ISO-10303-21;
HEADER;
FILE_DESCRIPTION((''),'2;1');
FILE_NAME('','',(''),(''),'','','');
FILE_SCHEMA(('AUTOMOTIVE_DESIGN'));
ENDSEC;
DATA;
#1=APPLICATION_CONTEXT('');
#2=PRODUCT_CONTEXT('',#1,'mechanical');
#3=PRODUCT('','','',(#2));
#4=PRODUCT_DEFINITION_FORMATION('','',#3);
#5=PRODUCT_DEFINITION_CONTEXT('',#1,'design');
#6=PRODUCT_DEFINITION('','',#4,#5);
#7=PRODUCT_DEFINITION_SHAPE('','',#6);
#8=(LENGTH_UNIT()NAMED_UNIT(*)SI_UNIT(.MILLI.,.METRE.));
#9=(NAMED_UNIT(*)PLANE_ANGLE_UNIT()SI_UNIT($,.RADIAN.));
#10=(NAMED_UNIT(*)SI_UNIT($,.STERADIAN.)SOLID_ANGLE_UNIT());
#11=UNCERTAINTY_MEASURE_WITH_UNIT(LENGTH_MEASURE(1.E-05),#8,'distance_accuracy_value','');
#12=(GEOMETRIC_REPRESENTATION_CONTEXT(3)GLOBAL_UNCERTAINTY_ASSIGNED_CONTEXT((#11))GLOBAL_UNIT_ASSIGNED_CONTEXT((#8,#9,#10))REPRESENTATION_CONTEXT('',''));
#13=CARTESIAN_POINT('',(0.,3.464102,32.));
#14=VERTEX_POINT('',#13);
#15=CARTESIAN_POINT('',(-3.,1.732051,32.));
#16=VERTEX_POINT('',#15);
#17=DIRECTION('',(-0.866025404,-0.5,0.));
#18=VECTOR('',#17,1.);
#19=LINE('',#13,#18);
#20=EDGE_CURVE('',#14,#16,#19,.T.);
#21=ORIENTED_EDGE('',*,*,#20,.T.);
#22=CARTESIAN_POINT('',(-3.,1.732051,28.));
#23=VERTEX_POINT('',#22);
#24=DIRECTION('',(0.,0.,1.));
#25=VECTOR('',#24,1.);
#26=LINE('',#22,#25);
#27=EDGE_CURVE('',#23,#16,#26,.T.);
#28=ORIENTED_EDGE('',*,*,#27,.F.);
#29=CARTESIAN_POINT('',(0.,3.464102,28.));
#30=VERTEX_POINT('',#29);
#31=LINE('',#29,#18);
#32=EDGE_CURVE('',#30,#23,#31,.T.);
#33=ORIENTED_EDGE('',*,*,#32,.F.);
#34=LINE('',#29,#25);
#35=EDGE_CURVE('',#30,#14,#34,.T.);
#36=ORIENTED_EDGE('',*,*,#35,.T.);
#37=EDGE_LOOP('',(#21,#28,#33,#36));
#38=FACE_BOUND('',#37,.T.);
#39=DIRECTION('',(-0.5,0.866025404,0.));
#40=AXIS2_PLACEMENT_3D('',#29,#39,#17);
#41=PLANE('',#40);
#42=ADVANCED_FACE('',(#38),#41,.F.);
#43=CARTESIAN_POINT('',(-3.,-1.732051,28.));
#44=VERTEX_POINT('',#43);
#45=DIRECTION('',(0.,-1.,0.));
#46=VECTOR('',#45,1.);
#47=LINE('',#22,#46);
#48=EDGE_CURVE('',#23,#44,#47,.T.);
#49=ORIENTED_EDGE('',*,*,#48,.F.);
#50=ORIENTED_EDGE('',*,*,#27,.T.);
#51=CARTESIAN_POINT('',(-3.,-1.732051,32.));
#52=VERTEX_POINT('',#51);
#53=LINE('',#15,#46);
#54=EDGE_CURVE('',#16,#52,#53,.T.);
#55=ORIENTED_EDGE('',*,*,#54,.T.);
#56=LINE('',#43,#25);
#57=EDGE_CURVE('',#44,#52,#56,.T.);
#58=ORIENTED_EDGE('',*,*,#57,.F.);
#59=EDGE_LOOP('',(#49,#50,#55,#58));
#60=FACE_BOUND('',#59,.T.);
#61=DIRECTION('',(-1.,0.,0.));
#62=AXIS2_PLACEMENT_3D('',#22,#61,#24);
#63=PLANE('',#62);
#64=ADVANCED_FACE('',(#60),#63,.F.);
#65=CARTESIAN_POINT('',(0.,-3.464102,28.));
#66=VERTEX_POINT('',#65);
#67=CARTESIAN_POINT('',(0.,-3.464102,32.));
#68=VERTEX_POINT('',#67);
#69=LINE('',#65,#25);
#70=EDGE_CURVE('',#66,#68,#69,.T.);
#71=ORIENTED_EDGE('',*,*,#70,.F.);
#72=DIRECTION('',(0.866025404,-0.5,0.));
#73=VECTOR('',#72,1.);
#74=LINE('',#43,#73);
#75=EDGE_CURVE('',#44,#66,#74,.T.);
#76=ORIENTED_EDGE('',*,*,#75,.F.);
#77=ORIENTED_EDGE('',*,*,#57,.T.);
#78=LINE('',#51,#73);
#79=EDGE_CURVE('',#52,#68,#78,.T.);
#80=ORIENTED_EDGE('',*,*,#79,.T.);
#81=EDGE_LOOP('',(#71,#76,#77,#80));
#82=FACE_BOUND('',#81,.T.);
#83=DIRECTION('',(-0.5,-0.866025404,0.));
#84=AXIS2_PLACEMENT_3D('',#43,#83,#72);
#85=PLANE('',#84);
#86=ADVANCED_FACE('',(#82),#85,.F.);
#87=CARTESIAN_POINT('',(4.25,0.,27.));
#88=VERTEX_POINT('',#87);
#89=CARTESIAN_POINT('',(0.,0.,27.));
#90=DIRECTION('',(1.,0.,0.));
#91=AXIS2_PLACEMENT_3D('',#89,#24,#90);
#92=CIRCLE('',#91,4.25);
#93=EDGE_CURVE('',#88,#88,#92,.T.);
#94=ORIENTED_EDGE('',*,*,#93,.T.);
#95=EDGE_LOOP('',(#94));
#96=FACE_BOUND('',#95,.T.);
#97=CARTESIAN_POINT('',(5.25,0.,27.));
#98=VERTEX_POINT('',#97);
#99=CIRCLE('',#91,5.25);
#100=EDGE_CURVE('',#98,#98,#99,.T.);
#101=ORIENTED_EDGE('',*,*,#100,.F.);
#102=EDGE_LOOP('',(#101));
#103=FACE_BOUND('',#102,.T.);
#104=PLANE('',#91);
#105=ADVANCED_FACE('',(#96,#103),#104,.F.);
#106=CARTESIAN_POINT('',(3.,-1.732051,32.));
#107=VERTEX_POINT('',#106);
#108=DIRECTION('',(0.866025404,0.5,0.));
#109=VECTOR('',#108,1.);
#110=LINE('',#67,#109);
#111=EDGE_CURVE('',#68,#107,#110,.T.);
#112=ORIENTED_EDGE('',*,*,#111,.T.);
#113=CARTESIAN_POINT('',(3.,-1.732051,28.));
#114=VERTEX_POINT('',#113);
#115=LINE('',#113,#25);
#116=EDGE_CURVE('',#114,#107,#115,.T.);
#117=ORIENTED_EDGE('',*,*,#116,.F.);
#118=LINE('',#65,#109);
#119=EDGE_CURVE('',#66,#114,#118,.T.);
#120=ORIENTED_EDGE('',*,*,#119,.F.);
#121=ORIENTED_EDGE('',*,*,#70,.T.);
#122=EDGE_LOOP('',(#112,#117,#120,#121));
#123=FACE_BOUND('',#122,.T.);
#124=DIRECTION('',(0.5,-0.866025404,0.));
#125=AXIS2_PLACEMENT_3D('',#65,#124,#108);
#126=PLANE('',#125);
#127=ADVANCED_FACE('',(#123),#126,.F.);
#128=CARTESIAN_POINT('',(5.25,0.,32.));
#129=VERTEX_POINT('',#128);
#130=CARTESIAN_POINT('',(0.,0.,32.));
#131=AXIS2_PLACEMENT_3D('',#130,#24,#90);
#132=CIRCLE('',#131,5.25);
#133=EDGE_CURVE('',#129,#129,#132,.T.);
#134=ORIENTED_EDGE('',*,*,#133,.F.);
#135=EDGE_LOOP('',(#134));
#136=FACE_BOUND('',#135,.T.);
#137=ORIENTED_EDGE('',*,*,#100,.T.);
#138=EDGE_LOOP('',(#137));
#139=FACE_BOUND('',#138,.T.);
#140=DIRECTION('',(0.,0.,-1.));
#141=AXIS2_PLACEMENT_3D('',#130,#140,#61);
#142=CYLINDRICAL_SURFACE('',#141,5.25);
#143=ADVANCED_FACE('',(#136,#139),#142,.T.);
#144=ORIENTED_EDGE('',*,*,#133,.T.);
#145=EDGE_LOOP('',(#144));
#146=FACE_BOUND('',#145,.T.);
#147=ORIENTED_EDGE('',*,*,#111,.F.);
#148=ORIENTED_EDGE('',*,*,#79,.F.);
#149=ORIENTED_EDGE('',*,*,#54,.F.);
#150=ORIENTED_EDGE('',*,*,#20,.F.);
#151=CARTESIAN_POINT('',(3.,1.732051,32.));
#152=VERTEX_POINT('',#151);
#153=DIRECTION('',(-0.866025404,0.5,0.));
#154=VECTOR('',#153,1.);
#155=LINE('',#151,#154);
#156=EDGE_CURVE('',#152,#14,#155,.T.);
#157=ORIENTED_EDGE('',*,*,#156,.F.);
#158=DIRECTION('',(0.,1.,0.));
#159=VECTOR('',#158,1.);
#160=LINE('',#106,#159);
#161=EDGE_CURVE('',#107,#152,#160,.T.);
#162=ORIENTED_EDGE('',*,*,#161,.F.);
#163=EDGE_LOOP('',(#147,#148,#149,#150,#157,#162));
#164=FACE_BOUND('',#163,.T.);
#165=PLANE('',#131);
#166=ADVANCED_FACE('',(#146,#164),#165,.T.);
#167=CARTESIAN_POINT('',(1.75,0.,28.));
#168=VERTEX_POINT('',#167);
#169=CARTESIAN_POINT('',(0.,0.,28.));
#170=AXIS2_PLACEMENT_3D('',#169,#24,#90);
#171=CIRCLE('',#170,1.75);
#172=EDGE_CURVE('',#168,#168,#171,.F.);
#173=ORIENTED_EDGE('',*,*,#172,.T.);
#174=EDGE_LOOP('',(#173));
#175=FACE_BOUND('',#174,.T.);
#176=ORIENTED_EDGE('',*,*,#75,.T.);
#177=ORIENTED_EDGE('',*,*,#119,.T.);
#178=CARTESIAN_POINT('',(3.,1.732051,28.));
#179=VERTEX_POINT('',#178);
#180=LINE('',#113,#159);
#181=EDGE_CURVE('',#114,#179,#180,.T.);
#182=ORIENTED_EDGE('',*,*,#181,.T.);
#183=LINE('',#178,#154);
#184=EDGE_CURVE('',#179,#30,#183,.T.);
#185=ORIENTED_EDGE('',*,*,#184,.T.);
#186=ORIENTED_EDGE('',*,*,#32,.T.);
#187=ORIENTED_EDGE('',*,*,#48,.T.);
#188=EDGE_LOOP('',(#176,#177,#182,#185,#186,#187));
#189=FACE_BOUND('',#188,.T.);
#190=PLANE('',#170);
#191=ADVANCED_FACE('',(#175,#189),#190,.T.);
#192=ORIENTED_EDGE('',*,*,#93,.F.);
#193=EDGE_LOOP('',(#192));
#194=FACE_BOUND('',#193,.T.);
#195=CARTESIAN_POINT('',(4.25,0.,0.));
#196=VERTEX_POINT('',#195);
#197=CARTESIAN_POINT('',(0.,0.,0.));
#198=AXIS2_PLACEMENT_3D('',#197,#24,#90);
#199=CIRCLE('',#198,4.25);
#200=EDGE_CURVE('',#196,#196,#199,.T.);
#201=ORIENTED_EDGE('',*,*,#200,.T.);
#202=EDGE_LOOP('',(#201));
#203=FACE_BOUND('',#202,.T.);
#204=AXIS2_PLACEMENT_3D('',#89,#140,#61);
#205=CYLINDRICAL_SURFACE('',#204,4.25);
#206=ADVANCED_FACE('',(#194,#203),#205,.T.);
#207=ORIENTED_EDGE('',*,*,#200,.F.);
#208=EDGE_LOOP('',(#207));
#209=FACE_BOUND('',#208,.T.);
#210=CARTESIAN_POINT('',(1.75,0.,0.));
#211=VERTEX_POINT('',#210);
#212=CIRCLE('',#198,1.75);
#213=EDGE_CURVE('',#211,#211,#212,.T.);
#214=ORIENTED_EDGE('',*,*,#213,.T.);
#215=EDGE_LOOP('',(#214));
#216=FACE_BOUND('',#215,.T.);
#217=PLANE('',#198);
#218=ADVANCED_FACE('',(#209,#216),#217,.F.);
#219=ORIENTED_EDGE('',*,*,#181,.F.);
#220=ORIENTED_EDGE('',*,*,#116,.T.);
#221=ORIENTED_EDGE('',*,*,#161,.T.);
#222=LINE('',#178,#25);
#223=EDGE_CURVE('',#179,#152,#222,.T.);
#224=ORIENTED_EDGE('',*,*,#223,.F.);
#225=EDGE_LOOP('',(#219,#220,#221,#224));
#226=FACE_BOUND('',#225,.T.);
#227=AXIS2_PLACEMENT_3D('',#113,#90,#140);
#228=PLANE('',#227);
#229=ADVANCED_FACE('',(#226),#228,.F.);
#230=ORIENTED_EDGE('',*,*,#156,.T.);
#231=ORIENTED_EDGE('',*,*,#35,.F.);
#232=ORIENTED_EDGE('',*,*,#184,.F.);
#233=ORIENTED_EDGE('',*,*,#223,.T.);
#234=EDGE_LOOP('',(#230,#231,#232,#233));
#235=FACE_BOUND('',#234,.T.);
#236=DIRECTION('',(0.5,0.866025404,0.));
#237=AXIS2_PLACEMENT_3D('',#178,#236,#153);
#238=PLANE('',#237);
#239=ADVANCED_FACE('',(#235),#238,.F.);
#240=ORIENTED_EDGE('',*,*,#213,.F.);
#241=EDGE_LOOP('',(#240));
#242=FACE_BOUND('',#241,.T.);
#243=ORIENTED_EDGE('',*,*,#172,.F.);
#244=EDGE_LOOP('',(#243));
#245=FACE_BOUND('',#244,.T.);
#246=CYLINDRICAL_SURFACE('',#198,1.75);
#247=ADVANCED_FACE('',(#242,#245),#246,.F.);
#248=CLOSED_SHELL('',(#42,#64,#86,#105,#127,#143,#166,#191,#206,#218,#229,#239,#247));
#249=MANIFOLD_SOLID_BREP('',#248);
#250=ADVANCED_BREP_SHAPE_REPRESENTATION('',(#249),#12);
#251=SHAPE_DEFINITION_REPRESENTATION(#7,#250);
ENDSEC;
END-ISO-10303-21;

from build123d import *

# Parameters (mm, degrees)
SKETCH1_R           = 4.25
BOSS_EXTRUDE1_DEPTH = 27
SKETCH2_R           = 5.25
BOSS_EXTRUDE2_DEPTH = 5
SKETCH7_R           = 1.75
CUT_EXTRUDE4_DEPTH  = 33
CUT_EXTRUDE6_DEPTH  = 4


with BuildPart() as part:
    # Sketch1 → Boss-Extrude1 (new body)
    with BuildSketch(Plane.XY):
        Circle(SKETCH1_R)
    extrude(amount=BOSS_EXTRUDE1_DEPTH)

    # Sketch2 → Boss-Extrude2 (add)
    with BuildSketch(Plane.XY.offset(27)):
        Circle(SKETCH2_R)
    extrude(amount=BOSS_EXTRUDE2_DEPTH)

    # Sketch7 → Cut-Extrude4 (cut, through all)
    with BuildSketch(Plane.XY.offset(32)):
        Circle(SKETCH7_R)
    extrude(amount=-CUT_EXTRUDE4_DEPTH, mode=Mode.SUBTRACT)

    # Sketch9 → Cut-Extrude6 (cut)
    with BuildSketch(Plane.XY.offset(32)):
        Polygon((0, 3.464101615), (-3, 1.732050808), (-3, -1.732050808), (0, -3.464101615), (3, -1.732050808), (3, 1.732050808), align=None)
    extrude(amount=-CUT_EXTRUDE6_DEPTH, mode=Mode.SUBTRACT)


solid = part.part
